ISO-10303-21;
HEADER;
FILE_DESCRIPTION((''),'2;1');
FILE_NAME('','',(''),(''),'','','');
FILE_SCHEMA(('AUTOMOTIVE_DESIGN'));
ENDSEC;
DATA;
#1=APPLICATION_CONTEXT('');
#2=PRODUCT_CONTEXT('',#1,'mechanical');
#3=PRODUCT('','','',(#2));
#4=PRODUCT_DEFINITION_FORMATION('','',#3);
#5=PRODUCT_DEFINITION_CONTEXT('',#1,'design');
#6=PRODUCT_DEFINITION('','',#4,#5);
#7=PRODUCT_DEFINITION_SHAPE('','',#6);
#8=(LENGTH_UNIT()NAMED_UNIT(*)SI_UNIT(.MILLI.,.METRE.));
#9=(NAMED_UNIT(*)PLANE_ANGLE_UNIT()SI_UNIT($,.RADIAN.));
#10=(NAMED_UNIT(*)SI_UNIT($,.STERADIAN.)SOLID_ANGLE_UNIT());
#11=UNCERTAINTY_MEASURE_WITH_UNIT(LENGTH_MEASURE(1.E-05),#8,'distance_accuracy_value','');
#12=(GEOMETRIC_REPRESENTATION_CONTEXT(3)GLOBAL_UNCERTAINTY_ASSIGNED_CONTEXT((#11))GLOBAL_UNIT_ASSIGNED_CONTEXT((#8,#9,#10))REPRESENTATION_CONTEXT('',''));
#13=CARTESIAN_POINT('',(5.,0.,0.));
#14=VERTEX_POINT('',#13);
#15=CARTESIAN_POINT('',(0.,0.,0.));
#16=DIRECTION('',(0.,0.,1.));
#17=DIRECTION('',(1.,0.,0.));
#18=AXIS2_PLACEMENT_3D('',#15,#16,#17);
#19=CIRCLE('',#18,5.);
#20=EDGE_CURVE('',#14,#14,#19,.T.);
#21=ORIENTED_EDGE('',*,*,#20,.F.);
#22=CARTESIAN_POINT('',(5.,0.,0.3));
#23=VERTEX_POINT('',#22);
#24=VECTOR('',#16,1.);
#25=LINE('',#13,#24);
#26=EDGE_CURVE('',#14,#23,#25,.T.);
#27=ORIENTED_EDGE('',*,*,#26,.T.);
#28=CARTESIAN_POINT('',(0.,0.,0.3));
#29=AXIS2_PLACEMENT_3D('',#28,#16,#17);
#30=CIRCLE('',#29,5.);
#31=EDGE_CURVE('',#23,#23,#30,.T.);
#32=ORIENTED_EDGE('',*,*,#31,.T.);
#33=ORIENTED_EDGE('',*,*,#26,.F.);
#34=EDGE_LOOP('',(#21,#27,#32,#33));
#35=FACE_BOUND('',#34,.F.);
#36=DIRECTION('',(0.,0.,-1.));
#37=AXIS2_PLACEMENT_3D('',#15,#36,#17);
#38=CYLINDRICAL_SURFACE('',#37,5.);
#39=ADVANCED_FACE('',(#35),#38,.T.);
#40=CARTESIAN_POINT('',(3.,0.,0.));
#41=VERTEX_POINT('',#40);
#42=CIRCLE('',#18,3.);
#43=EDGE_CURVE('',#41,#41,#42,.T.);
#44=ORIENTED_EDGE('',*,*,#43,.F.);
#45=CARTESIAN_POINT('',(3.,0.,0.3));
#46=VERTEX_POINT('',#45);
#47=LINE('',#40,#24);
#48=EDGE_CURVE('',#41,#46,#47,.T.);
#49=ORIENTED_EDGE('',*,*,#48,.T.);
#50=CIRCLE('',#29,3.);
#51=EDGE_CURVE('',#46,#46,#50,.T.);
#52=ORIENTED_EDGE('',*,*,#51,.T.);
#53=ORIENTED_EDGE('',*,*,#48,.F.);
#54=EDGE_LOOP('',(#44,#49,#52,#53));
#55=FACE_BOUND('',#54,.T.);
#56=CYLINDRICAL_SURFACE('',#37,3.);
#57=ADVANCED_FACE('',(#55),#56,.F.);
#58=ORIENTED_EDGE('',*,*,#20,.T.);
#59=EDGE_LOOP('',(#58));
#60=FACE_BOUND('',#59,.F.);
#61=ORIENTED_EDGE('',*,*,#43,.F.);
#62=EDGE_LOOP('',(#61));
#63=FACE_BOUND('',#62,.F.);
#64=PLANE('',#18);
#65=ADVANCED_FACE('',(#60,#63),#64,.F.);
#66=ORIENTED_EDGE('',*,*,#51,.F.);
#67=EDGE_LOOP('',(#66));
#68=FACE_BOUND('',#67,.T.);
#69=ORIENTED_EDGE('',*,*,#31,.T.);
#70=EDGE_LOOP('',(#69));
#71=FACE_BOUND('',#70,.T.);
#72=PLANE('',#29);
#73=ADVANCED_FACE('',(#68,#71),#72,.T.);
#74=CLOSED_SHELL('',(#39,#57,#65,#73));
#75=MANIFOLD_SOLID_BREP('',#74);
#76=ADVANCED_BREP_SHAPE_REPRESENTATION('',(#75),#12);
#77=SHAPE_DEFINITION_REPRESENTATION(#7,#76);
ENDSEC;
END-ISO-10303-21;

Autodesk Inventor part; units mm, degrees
ref_plane "YZ Plane" through (0, 0, 0) normal (1, 0, 0) x (0, 1, 0)
ref_plane "XZ Plane" through (0, 0, 0) normal (0, 1, 0) x (-1, 0, 0)
ref_plane "XY Plane" through (0, 0, 0) normal (0, 0, 1) x (1, 0, 0)
sketch "Sketch_1" plane through (0, 0, 0) normal (0, 0, 1) x (1, 0, 0)
  circle A0 centre (0, 0) radius 5
  circle A1 centre (0, 0) radius 3
  dimension "d0" = 0.3
extrude "Extrusion1" add sketch "Sketch_1" along normal blind 0.3
properties part number "PACK-SWSJJ10-6-0_3"
